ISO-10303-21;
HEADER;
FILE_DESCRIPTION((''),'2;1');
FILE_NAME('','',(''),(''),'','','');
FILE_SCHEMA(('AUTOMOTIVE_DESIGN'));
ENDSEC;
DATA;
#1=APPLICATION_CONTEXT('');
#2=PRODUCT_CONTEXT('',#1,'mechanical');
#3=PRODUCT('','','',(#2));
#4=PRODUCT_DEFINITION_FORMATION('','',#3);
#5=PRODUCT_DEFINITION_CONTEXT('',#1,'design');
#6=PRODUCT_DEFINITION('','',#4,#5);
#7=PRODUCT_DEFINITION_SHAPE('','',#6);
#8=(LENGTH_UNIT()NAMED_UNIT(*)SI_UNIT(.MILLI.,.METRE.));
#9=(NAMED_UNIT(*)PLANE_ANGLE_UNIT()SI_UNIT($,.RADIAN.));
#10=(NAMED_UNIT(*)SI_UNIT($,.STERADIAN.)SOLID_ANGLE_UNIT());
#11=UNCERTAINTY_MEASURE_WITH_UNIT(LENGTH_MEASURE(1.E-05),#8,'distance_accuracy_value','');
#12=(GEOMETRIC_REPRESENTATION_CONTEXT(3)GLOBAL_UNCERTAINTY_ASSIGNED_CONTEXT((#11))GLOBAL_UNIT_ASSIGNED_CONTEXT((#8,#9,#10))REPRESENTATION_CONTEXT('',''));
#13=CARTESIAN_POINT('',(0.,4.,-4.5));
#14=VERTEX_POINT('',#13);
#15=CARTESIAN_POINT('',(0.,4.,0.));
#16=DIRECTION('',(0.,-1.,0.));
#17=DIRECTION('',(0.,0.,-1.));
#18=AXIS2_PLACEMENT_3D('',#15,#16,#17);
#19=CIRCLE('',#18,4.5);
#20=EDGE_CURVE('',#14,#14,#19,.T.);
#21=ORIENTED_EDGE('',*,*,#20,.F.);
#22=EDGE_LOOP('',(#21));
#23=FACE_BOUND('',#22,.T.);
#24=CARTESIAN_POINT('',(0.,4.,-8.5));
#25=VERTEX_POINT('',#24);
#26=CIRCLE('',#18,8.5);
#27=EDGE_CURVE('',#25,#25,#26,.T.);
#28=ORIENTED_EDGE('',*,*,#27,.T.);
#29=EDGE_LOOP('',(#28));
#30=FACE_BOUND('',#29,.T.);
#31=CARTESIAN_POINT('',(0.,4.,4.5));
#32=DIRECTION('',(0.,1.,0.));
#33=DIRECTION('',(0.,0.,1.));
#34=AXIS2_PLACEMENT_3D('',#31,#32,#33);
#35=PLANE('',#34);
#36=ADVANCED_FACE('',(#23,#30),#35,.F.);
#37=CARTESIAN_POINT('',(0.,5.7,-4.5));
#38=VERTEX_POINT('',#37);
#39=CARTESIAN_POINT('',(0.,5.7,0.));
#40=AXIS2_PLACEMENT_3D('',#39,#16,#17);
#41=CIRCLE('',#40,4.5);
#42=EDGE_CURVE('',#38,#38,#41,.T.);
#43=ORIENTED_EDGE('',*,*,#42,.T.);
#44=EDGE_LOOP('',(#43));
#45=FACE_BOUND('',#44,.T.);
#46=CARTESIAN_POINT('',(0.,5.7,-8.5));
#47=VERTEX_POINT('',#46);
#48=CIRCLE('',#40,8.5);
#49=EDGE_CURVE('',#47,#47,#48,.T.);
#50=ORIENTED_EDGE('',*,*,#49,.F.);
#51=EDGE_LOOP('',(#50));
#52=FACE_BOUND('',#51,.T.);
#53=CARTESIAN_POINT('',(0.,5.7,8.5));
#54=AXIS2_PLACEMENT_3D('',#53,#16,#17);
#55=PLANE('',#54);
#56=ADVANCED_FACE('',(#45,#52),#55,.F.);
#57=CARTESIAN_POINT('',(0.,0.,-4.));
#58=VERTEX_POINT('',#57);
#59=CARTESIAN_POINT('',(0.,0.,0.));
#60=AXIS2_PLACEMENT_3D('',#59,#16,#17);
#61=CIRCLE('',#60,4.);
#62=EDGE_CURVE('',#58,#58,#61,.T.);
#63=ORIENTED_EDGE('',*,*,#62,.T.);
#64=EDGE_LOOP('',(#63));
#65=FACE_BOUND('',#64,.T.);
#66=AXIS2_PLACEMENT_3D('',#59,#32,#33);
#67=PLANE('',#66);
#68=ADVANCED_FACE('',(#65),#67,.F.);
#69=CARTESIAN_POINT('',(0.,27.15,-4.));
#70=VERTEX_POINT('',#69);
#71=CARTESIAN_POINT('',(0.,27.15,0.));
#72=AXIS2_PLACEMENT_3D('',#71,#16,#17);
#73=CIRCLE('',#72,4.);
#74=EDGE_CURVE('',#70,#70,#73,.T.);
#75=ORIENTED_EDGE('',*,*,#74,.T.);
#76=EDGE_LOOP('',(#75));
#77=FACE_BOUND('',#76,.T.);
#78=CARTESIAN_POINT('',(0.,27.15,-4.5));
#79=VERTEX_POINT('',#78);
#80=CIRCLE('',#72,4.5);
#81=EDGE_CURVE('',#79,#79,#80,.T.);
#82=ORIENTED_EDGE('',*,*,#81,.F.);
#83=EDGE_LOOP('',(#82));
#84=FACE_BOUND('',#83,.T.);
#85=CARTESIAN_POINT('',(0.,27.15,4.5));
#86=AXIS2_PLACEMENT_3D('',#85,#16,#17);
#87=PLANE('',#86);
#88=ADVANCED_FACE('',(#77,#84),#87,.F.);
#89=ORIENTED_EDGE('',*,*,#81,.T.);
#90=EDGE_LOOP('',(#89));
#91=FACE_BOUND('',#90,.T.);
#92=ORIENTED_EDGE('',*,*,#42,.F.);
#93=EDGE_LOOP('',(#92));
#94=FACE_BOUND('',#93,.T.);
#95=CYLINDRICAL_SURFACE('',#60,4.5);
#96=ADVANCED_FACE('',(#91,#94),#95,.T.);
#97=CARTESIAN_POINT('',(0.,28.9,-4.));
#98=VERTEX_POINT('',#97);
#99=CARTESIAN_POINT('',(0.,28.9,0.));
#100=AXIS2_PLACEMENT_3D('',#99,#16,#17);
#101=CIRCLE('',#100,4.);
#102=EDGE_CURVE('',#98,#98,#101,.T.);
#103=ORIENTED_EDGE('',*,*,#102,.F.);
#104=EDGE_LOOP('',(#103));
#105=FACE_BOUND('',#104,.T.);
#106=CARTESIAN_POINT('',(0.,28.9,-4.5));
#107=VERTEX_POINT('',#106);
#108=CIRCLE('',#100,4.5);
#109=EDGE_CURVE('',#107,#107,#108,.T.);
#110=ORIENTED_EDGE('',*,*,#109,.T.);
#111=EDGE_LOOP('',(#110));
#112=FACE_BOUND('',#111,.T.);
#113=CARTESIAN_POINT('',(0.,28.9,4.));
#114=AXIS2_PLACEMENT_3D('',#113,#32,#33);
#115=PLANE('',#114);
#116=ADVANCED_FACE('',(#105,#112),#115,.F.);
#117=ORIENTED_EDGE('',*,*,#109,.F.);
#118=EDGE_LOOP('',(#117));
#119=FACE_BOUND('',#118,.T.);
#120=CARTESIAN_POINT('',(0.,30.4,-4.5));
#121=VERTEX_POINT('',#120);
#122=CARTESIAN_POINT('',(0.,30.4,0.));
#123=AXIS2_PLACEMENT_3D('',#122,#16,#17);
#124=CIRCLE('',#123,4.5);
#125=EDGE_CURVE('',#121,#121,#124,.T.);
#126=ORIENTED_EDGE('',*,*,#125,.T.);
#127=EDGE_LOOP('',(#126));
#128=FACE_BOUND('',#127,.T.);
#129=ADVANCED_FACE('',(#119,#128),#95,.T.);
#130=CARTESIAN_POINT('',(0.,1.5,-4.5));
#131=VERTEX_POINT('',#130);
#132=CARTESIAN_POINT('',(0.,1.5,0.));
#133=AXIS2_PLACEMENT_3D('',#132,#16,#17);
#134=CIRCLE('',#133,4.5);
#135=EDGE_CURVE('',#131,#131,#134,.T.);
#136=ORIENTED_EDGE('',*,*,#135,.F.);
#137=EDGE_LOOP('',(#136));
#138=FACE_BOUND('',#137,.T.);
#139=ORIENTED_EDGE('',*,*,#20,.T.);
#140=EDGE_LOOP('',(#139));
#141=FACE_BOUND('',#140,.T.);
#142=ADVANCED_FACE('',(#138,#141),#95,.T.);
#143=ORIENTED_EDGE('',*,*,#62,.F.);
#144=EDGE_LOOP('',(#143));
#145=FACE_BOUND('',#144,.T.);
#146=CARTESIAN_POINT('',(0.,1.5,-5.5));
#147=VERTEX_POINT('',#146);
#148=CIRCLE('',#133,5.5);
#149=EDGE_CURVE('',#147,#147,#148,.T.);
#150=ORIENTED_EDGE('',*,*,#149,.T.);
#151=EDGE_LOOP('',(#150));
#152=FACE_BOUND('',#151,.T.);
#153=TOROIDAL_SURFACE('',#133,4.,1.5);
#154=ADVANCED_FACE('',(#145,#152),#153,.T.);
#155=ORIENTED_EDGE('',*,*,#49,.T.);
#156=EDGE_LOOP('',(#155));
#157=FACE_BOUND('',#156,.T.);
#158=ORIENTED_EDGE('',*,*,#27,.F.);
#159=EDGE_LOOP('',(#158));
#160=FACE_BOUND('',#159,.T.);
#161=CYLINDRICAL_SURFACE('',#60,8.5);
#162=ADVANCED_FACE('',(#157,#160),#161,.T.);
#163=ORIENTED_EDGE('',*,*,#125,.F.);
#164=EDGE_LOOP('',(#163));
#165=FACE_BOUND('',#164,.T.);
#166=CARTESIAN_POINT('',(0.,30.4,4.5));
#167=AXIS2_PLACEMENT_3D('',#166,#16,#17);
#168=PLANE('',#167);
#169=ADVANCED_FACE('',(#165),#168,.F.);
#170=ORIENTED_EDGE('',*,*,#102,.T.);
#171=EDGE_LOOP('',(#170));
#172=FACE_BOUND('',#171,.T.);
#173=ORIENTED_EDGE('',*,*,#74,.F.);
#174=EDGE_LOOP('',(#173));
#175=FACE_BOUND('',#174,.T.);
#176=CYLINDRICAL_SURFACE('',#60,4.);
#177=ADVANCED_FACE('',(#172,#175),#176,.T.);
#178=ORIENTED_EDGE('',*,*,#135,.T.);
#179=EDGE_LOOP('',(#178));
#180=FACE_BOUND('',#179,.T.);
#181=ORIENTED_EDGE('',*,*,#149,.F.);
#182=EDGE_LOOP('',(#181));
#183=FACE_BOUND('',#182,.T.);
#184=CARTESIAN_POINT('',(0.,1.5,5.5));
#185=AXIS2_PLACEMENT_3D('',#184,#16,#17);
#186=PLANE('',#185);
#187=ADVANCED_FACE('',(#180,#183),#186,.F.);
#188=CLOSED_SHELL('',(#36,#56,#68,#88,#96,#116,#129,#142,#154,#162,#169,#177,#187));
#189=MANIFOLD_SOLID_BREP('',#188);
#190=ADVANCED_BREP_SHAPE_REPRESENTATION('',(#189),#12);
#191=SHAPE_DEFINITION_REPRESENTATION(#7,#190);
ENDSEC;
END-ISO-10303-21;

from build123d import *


with BuildPart() as part:
    # Esboço1 → Revolução1 (revolve)
    with BuildSketch(Plane(origin=(0, 0, 0), x_dir=(0, 0, -1), z_dir=(1, 0, 0)), mode=Mode.PRIVATE) as revolu_o1_sk:
        with BuildLine():
            Line((0, 30.4), (0, 0))
            Line((0, 0), (-4, 0))
            ThreePointArc((-4, 0), (-5.060660172, 0.439339828), (-5.5, 1.5))
            Line((-5.5, 1.5), (-4.5, 1.5))
            Line((-4.5, 1.5), (-4.5, 4))
            Line((-4.5, 4), (-8.5, 4))
            Line((-8.5, 4), (-8.5, 5.7))
            Line((-8.5, 5.7), (-4.5, 5.7))
            Line((-4.5, 5.7), (-4.5, 27.15))
            Line((-4.5, 27.15), (-4, 27.15))
            Line((-4, 27.15), (-4, 28.9))
            Line((-4, 28.9), (-4.5, 28.9))
            Line((-4.5, 28.9), (-4.5, 30.4))
            Line((-4.5, 30.4), (0, 30.4))
        make_face()
    revolve(revolu_o1_sk.sketch.rotate(Axis((0, 0, 0), (0, 1, 0)), 180), axis=Axis((0, 0, 0), (0, 1, 0)))


solid = part.part
